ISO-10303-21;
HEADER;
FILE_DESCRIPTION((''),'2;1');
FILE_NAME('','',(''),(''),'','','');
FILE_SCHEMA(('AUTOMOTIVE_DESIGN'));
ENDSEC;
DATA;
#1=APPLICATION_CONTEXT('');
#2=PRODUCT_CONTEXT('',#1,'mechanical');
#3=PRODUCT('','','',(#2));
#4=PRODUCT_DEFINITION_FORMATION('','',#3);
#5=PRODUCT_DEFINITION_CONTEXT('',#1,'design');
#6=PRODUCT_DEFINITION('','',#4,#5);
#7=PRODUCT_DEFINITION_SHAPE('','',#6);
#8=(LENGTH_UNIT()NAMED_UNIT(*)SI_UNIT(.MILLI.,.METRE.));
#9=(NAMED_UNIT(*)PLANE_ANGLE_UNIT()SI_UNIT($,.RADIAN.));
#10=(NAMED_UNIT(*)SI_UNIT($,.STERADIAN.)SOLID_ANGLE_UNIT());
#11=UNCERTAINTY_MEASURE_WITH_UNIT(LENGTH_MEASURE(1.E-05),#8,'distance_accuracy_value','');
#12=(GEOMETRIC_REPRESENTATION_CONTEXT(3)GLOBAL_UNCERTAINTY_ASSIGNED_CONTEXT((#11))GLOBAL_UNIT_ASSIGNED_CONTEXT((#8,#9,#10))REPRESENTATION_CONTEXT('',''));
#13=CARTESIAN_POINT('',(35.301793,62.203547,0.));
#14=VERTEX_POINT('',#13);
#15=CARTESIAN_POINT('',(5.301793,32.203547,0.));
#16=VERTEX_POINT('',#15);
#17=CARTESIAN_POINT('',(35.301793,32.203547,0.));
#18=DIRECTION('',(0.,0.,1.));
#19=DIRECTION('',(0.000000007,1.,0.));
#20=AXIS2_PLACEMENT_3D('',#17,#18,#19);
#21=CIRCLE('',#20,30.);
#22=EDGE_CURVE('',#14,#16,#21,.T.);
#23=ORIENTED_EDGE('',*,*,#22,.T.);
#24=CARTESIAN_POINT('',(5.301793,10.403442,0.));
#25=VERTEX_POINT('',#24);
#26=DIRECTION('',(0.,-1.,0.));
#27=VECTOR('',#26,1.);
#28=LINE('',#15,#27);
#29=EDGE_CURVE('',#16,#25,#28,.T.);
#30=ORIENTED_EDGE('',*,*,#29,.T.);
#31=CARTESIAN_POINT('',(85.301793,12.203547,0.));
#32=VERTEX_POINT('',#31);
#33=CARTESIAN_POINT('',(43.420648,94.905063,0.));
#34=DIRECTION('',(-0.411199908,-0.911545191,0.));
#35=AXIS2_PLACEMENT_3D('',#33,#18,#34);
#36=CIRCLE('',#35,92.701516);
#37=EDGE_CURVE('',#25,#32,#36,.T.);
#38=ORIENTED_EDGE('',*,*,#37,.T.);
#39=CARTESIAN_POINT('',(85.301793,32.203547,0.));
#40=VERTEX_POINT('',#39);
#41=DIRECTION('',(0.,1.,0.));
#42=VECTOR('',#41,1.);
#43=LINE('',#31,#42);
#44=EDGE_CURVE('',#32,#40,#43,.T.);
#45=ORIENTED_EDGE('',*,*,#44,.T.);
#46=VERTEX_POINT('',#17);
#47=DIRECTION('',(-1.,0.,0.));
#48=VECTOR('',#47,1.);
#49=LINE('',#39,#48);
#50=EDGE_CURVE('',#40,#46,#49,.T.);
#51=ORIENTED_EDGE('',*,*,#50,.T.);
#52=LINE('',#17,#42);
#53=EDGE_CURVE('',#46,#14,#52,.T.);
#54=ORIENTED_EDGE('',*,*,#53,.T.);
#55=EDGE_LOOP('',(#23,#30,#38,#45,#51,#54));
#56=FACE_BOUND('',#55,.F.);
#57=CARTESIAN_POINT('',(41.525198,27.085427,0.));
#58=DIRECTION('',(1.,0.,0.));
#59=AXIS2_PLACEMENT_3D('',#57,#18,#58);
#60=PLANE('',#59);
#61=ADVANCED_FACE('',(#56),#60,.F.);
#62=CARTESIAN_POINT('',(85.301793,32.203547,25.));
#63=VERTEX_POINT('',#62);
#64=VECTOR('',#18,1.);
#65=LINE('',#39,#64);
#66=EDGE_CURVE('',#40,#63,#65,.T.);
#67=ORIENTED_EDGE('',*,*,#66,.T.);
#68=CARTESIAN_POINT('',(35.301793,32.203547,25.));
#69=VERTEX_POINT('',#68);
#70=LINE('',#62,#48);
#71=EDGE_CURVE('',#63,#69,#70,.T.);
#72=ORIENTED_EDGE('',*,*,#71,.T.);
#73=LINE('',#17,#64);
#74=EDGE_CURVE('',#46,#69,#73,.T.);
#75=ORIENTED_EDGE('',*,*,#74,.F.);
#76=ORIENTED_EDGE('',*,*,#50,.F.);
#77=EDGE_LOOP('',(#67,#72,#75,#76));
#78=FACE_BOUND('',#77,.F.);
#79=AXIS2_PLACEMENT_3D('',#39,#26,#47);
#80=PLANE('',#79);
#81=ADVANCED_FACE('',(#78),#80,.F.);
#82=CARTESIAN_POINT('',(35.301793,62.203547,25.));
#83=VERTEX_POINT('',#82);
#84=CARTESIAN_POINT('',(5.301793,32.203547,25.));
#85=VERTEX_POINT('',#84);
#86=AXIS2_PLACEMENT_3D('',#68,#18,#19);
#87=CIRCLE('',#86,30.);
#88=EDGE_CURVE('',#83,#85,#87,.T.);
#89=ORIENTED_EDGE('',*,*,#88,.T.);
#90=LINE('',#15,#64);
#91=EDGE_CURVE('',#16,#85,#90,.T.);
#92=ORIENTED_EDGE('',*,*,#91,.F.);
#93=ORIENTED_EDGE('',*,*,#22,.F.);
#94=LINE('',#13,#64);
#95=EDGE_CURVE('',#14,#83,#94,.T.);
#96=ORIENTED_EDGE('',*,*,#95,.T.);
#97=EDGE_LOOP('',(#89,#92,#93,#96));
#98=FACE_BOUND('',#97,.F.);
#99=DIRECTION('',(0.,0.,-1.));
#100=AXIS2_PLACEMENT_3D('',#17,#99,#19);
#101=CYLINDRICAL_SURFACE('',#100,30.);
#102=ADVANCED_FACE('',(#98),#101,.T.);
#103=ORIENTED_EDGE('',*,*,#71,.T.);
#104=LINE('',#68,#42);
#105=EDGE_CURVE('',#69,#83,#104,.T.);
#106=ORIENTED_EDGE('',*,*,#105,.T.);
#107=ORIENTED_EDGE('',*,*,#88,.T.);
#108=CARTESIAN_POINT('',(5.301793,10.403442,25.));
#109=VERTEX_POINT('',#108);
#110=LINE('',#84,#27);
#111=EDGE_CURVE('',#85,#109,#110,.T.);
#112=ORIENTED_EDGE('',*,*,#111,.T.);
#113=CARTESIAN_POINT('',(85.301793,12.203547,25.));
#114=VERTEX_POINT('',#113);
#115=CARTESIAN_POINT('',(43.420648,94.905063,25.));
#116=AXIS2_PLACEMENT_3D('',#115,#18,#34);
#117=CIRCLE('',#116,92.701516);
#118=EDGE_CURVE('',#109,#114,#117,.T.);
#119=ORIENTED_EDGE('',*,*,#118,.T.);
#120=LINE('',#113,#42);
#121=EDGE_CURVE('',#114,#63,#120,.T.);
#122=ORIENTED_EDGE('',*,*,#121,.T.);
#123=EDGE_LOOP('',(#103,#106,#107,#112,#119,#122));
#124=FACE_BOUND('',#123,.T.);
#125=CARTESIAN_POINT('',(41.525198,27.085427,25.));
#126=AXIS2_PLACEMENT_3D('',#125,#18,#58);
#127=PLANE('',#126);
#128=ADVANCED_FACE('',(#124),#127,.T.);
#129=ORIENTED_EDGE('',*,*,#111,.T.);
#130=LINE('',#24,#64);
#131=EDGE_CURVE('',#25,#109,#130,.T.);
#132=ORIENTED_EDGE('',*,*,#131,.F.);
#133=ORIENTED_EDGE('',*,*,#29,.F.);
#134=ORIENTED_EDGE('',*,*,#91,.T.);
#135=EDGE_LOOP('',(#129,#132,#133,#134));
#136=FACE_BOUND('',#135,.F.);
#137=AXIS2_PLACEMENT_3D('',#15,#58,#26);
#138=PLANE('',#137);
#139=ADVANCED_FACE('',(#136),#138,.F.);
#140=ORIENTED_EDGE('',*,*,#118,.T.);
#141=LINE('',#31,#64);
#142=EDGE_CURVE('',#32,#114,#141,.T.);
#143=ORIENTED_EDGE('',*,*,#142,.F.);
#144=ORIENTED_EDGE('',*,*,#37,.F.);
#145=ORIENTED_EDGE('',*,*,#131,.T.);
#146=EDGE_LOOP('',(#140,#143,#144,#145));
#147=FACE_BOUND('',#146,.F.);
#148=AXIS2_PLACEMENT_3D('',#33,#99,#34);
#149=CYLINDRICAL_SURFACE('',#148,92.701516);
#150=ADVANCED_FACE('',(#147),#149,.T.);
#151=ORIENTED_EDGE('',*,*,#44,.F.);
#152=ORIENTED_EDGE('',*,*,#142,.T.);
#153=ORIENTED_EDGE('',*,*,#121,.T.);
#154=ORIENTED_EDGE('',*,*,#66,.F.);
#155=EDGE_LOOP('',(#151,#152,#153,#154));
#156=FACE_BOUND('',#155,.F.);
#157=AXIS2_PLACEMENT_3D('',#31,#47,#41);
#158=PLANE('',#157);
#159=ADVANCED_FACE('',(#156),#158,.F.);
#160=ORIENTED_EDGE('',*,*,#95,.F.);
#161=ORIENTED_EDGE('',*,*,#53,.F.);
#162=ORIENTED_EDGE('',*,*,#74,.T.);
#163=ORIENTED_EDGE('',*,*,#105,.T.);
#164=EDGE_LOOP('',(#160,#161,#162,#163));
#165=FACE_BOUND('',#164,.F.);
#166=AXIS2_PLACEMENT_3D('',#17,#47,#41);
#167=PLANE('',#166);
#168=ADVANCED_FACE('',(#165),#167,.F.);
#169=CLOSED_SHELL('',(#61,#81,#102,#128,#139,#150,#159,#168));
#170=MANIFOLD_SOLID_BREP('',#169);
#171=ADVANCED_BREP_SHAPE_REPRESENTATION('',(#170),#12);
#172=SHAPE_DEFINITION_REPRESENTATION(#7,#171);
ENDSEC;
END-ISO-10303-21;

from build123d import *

# Parameters (mm, degrees)
F1_DEPTH = 25


with BuildPart() as f1:
    # F0 (on Top) → F1 (new body)
    with BuildSketch(Plane.XY):
        with BuildLine():
            Line((35.301793, 32.203547), (35.301793, 62.203547))
            ThreePointArc((35.301793, 62.203547), (14.08859, 53.416751), (5.301793, 32.203547))
            Line((5.301793, 32.203547), (5.301793, 10.403442))
            ThreePointArc((5.301793, 10.403442), (45.506026, 2.227006), (85.301793, 12.203547))
            Line((85.301793, 12.203547), (85.301793, 32.203547))
            Line((85.301793, 32.203547), (35.301793, 32.203547))
        make_face()
    extrude(amount=F1_DEPTH)


solid = f1.part
